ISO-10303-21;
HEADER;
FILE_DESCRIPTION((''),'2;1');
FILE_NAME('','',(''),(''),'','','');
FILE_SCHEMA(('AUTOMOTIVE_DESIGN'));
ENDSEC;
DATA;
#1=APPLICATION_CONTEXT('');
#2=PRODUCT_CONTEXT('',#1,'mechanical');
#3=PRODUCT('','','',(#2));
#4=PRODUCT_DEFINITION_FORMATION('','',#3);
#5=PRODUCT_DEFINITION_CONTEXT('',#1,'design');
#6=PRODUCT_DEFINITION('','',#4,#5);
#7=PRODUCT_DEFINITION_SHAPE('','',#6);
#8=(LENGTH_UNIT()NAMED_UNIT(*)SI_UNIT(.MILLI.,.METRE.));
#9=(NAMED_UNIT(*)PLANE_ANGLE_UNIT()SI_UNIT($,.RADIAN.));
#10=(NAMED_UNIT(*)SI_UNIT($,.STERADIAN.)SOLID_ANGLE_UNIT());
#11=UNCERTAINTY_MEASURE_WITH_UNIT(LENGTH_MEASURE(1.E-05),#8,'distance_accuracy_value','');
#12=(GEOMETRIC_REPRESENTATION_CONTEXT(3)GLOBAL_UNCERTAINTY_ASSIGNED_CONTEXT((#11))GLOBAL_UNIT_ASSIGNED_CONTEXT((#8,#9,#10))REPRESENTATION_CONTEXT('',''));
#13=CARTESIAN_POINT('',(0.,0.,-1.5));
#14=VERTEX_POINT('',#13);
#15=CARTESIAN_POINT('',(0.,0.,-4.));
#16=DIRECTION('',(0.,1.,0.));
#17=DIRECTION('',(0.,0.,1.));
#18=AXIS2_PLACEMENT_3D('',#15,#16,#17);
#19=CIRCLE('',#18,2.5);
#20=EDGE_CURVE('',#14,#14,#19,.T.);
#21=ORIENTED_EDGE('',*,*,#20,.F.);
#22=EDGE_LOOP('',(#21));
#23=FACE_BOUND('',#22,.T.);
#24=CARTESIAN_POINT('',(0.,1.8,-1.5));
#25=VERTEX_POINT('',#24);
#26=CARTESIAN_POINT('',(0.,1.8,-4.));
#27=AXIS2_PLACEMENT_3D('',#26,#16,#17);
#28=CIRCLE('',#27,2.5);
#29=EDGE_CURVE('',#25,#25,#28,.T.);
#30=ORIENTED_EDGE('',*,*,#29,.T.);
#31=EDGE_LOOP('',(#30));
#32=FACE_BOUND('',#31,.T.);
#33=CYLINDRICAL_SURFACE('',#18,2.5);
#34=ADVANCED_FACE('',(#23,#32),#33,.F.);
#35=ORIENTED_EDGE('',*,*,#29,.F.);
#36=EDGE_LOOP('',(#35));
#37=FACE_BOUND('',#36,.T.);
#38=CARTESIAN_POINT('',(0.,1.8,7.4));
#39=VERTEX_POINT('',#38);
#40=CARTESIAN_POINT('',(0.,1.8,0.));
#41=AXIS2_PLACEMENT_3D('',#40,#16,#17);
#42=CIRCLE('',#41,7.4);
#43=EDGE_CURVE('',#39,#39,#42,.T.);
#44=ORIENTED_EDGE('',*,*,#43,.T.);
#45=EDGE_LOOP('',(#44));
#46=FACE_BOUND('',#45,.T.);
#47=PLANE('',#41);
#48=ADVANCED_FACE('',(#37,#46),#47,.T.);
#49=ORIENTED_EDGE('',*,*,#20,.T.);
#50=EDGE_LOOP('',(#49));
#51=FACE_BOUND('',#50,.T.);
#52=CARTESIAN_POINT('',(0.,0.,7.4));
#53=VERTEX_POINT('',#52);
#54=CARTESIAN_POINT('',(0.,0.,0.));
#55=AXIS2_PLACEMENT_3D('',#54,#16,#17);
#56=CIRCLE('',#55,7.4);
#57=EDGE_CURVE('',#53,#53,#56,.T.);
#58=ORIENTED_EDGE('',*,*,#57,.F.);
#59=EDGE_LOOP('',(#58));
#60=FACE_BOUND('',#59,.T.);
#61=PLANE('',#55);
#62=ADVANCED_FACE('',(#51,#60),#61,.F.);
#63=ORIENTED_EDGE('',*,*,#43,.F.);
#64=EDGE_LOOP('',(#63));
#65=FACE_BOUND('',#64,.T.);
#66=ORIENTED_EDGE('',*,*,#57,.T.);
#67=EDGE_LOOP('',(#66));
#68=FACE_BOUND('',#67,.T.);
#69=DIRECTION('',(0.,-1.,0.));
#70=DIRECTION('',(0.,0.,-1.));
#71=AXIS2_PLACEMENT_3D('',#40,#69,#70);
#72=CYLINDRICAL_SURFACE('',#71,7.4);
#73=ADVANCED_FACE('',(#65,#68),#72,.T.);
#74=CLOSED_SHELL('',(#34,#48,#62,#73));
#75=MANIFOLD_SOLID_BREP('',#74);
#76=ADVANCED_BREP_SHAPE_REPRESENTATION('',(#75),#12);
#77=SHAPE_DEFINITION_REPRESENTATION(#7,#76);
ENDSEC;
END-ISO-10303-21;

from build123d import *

# Parameters (mm, degrees)
SKETCH1_R           = 7.4
BOSS_EXTRUDE1_DEPTH = 1.8
SKETCH2_R           = 2.5
CUT_EXTRUDE1_DEPTH  = 1.8


with BuildPart() as part:
    # Sketch1 → Boss-Extrude1 (new body)
    with BuildSketch(Plane(origin=(0, 0, 0), x_dir=(1, 0, 0), z_dir=(0, 1, 0))):
        with Locations(Location((0, 0, 0), (0, 0, 270))):
            Circle(SKETCH1_R)
    extrude(amount=BOSS_EXTRUDE1_DEPTH)

    # Sketch2 → Cut-Extrude1 (cut)
    with BuildSketch(Plane(origin=(0, 1.8, 0), x_dir=(1, 0, 0), z_dir=(0, 1, 0))):
        with Locations(Location((0, 4, 0), (0, 0, 270))):
            Circle(SKETCH2_R)
    extrude(amount=-CUT_EXTRUDE1_DEPTH, mode=Mode.SUBTRACT)


solid = part.part
